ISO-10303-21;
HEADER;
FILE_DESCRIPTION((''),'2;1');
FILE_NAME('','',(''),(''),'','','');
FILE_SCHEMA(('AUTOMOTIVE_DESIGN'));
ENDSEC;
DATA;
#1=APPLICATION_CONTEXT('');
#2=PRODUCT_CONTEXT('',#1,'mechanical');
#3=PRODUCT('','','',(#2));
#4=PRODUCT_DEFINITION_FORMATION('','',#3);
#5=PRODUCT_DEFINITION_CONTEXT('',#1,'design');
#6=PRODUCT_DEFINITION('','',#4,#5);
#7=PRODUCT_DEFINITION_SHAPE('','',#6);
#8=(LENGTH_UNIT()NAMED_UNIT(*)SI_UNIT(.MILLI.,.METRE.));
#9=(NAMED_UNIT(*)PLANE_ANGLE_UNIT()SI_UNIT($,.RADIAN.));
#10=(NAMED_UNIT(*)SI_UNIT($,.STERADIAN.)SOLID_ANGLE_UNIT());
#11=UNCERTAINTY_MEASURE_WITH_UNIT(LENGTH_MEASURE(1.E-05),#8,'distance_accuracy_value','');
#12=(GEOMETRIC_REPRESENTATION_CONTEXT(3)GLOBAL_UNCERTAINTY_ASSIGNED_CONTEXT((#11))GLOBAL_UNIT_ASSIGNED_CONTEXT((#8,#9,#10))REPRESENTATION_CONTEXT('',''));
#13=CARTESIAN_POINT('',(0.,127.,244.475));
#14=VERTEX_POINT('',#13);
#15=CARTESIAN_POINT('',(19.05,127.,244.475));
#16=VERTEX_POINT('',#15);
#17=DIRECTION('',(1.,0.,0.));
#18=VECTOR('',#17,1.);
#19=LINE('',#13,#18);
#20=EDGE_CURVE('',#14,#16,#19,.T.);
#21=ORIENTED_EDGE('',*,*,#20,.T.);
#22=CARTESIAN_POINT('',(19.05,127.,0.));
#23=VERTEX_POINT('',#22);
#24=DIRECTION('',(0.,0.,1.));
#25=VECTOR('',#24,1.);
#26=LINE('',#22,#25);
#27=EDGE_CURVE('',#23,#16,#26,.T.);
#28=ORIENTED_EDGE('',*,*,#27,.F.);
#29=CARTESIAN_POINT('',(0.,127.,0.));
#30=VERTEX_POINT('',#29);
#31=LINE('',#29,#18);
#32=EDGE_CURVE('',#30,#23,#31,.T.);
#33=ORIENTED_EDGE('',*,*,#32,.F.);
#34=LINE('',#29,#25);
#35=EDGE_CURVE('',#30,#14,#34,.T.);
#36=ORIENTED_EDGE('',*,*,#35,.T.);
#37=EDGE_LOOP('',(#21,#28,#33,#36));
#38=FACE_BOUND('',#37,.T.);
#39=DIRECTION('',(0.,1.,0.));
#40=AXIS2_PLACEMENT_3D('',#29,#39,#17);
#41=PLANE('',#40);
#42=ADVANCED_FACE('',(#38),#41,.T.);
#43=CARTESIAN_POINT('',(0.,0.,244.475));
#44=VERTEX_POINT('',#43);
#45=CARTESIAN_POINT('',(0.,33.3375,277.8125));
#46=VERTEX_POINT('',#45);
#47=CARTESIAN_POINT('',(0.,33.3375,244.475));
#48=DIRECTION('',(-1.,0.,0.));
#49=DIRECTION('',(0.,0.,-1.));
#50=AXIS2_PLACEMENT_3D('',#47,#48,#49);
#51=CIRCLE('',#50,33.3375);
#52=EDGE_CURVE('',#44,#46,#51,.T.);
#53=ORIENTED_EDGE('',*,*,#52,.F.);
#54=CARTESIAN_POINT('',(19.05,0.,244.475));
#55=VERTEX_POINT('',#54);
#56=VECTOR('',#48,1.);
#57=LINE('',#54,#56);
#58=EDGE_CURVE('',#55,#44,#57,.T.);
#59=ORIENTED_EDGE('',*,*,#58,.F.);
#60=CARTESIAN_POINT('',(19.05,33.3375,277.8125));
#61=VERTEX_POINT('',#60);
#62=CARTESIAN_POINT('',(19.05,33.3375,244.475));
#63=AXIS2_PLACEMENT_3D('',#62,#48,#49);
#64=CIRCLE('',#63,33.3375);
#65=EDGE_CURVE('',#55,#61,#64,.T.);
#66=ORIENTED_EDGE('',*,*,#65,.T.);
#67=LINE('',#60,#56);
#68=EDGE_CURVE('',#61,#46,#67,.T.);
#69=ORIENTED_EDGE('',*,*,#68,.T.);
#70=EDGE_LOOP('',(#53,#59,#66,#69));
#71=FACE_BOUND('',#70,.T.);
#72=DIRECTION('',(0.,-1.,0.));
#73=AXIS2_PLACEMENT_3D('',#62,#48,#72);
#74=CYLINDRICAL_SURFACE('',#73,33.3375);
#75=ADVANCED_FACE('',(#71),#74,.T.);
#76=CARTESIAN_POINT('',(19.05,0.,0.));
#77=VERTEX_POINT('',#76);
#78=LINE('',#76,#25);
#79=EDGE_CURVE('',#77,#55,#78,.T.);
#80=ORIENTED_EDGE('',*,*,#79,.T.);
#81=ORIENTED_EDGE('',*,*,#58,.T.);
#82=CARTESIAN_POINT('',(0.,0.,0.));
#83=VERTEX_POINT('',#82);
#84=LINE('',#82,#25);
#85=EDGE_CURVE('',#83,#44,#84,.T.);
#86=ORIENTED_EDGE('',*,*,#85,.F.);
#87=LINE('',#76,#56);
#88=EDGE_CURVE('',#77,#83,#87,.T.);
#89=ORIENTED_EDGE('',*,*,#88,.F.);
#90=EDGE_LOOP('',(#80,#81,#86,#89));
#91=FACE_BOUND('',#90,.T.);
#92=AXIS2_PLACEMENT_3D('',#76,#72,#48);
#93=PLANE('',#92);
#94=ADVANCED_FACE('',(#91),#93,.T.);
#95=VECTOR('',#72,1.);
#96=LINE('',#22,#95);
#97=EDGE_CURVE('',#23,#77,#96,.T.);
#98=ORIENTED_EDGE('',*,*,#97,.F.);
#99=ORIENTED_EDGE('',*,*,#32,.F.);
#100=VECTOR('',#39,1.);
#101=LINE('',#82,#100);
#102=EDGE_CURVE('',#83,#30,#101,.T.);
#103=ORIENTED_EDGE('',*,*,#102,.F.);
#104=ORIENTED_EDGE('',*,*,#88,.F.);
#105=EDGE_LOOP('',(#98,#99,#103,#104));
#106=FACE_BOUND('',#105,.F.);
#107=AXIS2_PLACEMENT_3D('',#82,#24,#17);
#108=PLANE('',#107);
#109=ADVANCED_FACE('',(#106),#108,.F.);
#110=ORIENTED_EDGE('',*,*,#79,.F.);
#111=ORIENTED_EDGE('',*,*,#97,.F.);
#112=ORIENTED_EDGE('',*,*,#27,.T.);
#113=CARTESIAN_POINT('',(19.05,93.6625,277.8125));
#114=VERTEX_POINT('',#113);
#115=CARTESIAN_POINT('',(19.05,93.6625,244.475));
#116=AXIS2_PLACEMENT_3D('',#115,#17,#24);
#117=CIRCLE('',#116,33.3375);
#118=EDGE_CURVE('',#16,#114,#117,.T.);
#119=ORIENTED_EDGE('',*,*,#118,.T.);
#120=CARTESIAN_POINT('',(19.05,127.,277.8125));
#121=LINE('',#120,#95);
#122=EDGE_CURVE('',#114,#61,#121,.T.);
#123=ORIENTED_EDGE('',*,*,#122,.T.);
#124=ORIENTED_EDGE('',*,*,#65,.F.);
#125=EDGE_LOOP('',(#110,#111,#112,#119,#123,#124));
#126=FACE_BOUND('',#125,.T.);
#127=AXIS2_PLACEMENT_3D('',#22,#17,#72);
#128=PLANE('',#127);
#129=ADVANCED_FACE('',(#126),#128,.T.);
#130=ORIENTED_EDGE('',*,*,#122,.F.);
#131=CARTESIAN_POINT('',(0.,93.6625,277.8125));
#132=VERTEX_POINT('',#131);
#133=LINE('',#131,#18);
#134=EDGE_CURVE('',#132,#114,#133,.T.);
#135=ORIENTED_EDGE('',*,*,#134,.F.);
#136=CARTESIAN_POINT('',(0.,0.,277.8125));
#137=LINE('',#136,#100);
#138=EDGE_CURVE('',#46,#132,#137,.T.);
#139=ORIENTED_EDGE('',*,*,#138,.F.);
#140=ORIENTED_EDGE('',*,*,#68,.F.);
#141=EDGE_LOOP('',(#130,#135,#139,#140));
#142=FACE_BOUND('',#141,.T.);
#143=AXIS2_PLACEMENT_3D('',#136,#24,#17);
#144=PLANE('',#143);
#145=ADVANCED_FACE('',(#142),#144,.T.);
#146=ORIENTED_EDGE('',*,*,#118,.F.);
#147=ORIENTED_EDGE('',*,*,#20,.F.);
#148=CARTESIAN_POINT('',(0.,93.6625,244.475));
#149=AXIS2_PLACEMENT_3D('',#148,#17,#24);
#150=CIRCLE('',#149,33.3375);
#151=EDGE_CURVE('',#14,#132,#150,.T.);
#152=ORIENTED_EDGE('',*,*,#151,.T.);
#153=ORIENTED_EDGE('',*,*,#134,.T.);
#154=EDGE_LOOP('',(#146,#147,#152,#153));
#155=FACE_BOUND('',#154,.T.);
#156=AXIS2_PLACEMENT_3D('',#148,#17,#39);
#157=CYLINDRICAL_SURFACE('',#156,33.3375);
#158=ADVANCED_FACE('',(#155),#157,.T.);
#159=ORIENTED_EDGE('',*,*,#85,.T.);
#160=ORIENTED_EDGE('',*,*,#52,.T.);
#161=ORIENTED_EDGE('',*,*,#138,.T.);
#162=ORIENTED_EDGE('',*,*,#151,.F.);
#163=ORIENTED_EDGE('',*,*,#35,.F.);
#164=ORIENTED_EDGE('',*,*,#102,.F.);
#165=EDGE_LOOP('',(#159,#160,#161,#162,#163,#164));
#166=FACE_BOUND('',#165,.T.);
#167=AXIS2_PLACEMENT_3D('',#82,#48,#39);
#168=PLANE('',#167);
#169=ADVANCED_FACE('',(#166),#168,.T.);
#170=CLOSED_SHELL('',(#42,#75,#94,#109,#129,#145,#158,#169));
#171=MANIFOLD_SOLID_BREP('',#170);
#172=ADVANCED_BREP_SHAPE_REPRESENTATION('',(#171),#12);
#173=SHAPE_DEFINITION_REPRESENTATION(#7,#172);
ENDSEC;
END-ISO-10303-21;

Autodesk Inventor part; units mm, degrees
ref_plane "YZ Plane" through (0, 0, 0) normal (1, 0, 0) x (0, 1, 0)
ref_plane "XZ Plane" through (0, 0, 0) normal (0, 1, 0) x (-1, 0, 0)
ref_plane "XY Plane" through (0, 0, 0) normal (0, 0, 1) x (1, 0, 0)
sketch "Sketch1" plane through (0, 0, 0) normal (0, 0, 1) x (1, 0, 0)
  line L0 (0, 0) -> (0, 127)
  line L1 (0, 127) -> (19.05, 127)
  line L2 (19.05, 127) -> (19.05, 0)
  line L3 (19.05, 0) -> (0, 0)
  dimension "d0" = 127
  dimension "d1" = 19.05
extrude "Extrusion1" add sketch "Sketch1" along normal blind 277.8125
fillet "Fillet1" radius 33.3375 2 edges at (9.525, 0, 277.8125) (9.525, 127, 277.8125)
properties part number "Bumper Wood Backing Part4 (24x28 robot)" material "Wood (Birch)"
